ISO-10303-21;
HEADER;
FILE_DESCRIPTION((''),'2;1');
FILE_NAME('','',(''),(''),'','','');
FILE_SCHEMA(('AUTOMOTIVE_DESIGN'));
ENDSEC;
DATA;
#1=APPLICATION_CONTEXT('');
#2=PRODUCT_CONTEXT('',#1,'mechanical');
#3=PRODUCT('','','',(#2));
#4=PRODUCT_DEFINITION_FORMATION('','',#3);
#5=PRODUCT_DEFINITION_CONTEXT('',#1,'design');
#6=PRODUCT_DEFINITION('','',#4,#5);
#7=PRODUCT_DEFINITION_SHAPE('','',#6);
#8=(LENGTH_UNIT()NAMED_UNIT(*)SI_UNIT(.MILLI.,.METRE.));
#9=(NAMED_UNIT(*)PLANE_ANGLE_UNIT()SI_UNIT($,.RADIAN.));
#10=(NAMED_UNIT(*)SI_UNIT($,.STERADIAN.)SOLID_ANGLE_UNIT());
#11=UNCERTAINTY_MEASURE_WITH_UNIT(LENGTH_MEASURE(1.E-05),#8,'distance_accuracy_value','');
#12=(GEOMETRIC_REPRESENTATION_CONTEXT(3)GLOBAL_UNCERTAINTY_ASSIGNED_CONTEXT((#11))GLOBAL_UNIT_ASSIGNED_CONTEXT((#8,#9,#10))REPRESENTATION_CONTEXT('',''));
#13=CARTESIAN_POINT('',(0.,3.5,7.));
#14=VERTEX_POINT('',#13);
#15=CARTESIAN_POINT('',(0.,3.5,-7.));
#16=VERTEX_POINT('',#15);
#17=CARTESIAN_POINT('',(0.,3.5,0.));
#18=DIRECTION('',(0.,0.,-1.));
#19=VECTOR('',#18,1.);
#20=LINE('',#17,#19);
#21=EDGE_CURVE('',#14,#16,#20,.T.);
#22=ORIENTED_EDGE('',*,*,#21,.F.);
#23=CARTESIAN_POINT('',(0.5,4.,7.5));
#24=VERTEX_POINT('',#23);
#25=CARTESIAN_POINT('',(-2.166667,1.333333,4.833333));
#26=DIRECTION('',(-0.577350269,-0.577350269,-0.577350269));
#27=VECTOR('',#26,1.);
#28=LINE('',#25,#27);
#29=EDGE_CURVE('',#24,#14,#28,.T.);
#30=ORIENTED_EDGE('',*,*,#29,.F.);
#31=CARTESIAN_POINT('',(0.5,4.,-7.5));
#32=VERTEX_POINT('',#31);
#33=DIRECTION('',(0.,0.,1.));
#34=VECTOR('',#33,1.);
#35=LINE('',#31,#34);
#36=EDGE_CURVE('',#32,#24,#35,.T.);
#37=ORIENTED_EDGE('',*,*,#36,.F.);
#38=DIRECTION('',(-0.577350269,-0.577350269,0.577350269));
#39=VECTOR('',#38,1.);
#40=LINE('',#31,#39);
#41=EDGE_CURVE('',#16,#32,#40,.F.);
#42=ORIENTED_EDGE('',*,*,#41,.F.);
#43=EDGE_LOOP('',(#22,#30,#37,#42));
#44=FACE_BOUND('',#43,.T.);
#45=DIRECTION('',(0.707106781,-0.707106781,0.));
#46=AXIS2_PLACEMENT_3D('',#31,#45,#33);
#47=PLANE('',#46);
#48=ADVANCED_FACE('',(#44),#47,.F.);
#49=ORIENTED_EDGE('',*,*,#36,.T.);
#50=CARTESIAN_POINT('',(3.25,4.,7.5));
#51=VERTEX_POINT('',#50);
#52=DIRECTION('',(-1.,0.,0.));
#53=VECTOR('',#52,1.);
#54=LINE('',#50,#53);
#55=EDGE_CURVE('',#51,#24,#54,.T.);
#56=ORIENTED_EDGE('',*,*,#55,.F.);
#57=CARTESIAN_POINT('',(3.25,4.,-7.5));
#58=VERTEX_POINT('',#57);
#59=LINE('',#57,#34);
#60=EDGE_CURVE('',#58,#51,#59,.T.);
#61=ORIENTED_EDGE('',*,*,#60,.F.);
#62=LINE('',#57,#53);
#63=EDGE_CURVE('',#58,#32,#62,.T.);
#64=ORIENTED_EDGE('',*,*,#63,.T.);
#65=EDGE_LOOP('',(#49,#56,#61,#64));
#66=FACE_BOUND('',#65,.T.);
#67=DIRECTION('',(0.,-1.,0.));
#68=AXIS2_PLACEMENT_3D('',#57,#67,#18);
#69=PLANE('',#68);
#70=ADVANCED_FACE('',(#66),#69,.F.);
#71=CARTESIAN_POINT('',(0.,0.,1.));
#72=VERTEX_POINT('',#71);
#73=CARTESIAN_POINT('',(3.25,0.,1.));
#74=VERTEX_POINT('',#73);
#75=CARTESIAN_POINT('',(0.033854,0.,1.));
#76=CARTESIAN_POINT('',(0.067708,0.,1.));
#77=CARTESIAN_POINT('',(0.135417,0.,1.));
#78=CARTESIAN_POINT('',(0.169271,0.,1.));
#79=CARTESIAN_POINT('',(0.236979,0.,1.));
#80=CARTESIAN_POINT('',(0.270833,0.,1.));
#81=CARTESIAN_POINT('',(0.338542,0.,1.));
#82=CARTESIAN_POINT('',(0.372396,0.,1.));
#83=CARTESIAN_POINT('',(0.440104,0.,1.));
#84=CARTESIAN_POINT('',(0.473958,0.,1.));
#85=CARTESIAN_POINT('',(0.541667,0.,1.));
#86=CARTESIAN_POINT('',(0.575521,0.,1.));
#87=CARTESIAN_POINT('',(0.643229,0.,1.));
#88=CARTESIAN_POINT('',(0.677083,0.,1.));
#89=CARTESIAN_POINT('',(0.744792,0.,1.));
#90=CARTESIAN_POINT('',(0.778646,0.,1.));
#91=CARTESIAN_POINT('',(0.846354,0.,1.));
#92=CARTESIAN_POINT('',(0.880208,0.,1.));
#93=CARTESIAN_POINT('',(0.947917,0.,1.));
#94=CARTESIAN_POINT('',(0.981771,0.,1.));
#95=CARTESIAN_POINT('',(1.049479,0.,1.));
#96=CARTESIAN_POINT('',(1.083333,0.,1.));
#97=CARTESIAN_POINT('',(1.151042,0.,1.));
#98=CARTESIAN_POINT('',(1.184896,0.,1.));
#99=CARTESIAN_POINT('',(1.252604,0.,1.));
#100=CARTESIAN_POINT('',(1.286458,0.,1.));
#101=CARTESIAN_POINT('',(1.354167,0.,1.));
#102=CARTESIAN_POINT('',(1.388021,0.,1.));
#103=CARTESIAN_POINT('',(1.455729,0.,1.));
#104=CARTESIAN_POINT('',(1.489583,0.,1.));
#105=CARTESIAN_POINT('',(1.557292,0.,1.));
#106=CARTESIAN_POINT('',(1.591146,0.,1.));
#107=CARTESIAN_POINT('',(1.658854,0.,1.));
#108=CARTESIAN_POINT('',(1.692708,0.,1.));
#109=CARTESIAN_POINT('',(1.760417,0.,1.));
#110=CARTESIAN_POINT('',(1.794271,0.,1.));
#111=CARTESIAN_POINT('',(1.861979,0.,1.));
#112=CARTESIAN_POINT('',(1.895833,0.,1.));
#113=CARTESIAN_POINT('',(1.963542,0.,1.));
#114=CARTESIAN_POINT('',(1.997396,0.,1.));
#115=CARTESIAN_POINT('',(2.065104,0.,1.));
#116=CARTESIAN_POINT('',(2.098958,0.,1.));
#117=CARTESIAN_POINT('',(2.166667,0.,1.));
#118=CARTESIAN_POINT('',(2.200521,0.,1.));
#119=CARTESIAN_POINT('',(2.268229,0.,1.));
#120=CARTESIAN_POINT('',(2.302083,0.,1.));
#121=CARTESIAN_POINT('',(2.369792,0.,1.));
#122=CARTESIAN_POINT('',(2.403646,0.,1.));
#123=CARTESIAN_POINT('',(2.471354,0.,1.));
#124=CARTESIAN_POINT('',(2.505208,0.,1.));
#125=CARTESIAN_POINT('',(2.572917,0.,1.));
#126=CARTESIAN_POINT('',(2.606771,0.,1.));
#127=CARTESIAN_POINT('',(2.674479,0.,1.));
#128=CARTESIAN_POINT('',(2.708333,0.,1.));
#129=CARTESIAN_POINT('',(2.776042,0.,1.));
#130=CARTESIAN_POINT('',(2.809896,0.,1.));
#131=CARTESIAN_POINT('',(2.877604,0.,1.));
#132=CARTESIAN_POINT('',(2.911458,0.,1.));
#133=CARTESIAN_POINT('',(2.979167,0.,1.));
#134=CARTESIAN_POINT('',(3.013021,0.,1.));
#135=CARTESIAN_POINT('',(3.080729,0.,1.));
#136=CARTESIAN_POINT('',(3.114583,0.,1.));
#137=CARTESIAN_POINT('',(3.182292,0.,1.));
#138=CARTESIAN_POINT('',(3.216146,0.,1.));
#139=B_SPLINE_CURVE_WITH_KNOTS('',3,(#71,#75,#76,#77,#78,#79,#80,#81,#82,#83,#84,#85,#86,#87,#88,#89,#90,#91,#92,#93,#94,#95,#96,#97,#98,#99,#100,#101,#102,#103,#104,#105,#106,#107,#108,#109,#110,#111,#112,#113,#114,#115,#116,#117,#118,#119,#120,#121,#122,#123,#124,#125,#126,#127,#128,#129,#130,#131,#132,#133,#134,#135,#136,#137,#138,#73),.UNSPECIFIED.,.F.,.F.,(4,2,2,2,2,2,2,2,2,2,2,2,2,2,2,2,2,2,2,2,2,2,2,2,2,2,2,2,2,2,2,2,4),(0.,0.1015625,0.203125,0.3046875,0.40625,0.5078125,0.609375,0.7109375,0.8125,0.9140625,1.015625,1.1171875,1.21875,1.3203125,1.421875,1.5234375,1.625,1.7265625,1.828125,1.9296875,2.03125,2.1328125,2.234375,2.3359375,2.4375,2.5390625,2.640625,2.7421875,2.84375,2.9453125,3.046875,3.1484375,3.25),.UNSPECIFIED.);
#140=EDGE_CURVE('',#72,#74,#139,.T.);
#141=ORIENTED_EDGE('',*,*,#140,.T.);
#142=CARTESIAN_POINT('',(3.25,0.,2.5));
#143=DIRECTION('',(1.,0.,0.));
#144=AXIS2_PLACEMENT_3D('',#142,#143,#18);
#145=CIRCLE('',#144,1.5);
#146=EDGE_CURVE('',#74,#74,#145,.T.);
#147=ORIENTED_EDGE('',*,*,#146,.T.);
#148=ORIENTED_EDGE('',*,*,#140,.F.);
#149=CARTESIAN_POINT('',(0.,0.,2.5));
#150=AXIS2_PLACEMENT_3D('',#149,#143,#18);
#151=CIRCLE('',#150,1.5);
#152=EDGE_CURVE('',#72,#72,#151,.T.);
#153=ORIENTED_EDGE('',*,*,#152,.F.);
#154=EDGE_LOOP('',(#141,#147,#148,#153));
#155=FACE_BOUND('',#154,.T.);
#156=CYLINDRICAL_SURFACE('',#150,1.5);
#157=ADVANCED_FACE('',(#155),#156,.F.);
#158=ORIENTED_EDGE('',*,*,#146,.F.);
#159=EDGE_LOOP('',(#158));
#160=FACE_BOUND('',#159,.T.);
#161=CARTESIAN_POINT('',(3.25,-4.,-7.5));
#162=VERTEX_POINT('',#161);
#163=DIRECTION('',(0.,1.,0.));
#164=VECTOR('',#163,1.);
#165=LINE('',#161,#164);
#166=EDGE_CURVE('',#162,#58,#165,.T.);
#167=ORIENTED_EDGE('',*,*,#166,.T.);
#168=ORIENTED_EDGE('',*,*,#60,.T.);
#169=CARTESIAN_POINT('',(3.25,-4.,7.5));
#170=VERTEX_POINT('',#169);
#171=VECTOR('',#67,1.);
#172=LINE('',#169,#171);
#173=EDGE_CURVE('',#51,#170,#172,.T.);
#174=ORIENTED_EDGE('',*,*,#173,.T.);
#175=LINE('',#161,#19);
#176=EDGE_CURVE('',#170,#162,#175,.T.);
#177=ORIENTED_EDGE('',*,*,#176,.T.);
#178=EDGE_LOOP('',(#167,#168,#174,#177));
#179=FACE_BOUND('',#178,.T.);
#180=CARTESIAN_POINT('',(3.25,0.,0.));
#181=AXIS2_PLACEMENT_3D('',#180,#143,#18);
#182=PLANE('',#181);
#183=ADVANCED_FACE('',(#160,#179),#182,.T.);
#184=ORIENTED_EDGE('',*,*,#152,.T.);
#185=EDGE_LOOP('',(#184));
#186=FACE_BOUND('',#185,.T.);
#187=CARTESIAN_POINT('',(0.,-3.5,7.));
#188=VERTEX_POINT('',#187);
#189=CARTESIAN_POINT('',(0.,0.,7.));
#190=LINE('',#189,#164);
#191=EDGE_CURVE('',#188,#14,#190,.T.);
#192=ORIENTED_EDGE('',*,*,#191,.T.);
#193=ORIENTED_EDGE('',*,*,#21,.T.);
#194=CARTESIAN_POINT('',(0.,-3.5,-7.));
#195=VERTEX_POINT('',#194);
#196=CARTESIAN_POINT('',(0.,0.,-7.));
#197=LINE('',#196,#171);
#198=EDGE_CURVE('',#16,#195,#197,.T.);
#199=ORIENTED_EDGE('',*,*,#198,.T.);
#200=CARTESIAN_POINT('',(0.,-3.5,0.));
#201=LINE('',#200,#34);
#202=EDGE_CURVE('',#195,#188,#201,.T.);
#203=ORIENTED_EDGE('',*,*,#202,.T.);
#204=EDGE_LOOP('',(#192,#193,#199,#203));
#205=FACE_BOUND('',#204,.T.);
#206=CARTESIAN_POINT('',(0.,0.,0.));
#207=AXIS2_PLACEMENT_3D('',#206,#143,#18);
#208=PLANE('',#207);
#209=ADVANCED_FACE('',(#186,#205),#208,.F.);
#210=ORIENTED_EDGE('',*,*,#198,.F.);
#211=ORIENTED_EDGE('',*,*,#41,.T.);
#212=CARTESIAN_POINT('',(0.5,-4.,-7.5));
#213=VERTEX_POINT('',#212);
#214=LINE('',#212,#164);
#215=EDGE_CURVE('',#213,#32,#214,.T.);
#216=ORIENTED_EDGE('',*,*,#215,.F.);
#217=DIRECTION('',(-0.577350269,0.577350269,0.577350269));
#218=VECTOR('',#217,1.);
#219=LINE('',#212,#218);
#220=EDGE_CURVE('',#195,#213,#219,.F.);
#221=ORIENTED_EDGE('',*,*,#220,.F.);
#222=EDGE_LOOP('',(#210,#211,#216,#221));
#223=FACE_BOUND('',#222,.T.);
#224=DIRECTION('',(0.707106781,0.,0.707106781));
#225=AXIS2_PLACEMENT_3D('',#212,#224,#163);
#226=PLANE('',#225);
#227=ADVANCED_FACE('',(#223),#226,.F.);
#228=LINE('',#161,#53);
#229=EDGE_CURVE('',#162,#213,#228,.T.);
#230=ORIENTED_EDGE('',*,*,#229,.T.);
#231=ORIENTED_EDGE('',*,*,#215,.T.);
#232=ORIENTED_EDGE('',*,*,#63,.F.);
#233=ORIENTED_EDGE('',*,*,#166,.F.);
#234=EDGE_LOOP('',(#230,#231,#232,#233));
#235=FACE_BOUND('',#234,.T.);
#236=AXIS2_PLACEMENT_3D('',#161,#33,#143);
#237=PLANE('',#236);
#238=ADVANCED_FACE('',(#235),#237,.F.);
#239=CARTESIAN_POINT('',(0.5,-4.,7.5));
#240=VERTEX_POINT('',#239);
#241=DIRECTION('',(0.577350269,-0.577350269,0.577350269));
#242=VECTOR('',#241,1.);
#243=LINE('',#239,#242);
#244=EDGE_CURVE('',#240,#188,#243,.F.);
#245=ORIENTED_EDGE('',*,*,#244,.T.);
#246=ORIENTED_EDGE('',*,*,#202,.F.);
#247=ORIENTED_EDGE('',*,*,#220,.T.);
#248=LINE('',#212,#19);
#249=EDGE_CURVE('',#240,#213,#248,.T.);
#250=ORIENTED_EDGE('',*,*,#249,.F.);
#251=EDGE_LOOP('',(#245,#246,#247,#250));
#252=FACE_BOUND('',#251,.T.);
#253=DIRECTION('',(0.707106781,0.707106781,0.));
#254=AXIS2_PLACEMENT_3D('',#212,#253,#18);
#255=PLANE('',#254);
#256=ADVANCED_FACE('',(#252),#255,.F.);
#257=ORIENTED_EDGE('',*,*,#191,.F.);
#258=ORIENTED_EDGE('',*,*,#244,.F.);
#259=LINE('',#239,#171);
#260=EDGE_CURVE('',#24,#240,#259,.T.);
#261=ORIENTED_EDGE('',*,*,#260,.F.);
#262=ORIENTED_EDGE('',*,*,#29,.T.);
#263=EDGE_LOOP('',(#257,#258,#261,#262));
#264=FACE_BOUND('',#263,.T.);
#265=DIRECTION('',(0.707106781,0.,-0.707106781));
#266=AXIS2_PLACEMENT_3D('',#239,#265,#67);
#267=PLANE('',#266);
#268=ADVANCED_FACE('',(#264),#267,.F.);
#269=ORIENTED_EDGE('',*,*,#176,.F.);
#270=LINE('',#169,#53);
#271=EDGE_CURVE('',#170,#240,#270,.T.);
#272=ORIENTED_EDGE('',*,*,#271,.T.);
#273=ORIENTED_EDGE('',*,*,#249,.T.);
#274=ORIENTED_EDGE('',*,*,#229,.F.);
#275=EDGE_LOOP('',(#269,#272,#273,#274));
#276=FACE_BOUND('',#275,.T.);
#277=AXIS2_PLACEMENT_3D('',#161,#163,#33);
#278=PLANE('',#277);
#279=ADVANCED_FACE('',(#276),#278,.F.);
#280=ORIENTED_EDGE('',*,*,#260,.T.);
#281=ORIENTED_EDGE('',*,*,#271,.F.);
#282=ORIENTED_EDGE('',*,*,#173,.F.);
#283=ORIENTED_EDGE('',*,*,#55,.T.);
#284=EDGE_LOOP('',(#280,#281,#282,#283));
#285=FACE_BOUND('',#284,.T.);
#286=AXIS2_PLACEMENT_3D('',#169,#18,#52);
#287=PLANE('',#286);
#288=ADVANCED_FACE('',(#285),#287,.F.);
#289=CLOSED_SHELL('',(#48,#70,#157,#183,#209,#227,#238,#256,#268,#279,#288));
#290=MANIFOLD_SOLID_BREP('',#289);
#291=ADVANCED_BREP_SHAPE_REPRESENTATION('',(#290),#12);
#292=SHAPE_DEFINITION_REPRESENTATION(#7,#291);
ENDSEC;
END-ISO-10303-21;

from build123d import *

# Parameters (mm, degrees)
SKETCH_1_W          = 15
SKETCH_1_H          = 8
EXTRUDE_1_DEPTH     = 3.25
SKETCH_2_R          = 1.5
CUT_EXTRUDE_1_DEPTH = 10.100137362
CHAMFER_1_SIZE      = 0.5


with BuildPart() as part:
    # 草图1 → 凸台-拉伸1 (new body)
    with BuildSketch(Plane(origin=(0, 0, 0), x_dir=(0, 0, -1), z_dir=(1, 0, 0))):
        Rectangle(SKETCH_1_W, SKETCH_1_H)
    extrude(amount=EXTRUDE_1_DEPTH)

    # 草图2 → 切除-拉伸1 (cut, through all)
    with BuildSketch(Plane(origin=(3.25, 0, 0), x_dir=(0, 0, -1), z_dir=(1, 0, 0))):
        with Locations((-2.5, 0)):
            Circle(SKETCH_2_R)
    extrude(amount=-CUT_EXTRUDE_1_DEPTH, mode=Mode.SUBTRACT)

    # 倒角1
    chamfer_1_edges = [part.edges().sort_by_distance(p)[0] for p in [
        (0, 4, 0),
        (0, 0, -7.5),
        (0, -4, 0),
        (0, 0, 7.5),
    ]]
    chamfer(chamfer_1_edges, length=CHAMFER_1_SIZE)


solid = part.part
